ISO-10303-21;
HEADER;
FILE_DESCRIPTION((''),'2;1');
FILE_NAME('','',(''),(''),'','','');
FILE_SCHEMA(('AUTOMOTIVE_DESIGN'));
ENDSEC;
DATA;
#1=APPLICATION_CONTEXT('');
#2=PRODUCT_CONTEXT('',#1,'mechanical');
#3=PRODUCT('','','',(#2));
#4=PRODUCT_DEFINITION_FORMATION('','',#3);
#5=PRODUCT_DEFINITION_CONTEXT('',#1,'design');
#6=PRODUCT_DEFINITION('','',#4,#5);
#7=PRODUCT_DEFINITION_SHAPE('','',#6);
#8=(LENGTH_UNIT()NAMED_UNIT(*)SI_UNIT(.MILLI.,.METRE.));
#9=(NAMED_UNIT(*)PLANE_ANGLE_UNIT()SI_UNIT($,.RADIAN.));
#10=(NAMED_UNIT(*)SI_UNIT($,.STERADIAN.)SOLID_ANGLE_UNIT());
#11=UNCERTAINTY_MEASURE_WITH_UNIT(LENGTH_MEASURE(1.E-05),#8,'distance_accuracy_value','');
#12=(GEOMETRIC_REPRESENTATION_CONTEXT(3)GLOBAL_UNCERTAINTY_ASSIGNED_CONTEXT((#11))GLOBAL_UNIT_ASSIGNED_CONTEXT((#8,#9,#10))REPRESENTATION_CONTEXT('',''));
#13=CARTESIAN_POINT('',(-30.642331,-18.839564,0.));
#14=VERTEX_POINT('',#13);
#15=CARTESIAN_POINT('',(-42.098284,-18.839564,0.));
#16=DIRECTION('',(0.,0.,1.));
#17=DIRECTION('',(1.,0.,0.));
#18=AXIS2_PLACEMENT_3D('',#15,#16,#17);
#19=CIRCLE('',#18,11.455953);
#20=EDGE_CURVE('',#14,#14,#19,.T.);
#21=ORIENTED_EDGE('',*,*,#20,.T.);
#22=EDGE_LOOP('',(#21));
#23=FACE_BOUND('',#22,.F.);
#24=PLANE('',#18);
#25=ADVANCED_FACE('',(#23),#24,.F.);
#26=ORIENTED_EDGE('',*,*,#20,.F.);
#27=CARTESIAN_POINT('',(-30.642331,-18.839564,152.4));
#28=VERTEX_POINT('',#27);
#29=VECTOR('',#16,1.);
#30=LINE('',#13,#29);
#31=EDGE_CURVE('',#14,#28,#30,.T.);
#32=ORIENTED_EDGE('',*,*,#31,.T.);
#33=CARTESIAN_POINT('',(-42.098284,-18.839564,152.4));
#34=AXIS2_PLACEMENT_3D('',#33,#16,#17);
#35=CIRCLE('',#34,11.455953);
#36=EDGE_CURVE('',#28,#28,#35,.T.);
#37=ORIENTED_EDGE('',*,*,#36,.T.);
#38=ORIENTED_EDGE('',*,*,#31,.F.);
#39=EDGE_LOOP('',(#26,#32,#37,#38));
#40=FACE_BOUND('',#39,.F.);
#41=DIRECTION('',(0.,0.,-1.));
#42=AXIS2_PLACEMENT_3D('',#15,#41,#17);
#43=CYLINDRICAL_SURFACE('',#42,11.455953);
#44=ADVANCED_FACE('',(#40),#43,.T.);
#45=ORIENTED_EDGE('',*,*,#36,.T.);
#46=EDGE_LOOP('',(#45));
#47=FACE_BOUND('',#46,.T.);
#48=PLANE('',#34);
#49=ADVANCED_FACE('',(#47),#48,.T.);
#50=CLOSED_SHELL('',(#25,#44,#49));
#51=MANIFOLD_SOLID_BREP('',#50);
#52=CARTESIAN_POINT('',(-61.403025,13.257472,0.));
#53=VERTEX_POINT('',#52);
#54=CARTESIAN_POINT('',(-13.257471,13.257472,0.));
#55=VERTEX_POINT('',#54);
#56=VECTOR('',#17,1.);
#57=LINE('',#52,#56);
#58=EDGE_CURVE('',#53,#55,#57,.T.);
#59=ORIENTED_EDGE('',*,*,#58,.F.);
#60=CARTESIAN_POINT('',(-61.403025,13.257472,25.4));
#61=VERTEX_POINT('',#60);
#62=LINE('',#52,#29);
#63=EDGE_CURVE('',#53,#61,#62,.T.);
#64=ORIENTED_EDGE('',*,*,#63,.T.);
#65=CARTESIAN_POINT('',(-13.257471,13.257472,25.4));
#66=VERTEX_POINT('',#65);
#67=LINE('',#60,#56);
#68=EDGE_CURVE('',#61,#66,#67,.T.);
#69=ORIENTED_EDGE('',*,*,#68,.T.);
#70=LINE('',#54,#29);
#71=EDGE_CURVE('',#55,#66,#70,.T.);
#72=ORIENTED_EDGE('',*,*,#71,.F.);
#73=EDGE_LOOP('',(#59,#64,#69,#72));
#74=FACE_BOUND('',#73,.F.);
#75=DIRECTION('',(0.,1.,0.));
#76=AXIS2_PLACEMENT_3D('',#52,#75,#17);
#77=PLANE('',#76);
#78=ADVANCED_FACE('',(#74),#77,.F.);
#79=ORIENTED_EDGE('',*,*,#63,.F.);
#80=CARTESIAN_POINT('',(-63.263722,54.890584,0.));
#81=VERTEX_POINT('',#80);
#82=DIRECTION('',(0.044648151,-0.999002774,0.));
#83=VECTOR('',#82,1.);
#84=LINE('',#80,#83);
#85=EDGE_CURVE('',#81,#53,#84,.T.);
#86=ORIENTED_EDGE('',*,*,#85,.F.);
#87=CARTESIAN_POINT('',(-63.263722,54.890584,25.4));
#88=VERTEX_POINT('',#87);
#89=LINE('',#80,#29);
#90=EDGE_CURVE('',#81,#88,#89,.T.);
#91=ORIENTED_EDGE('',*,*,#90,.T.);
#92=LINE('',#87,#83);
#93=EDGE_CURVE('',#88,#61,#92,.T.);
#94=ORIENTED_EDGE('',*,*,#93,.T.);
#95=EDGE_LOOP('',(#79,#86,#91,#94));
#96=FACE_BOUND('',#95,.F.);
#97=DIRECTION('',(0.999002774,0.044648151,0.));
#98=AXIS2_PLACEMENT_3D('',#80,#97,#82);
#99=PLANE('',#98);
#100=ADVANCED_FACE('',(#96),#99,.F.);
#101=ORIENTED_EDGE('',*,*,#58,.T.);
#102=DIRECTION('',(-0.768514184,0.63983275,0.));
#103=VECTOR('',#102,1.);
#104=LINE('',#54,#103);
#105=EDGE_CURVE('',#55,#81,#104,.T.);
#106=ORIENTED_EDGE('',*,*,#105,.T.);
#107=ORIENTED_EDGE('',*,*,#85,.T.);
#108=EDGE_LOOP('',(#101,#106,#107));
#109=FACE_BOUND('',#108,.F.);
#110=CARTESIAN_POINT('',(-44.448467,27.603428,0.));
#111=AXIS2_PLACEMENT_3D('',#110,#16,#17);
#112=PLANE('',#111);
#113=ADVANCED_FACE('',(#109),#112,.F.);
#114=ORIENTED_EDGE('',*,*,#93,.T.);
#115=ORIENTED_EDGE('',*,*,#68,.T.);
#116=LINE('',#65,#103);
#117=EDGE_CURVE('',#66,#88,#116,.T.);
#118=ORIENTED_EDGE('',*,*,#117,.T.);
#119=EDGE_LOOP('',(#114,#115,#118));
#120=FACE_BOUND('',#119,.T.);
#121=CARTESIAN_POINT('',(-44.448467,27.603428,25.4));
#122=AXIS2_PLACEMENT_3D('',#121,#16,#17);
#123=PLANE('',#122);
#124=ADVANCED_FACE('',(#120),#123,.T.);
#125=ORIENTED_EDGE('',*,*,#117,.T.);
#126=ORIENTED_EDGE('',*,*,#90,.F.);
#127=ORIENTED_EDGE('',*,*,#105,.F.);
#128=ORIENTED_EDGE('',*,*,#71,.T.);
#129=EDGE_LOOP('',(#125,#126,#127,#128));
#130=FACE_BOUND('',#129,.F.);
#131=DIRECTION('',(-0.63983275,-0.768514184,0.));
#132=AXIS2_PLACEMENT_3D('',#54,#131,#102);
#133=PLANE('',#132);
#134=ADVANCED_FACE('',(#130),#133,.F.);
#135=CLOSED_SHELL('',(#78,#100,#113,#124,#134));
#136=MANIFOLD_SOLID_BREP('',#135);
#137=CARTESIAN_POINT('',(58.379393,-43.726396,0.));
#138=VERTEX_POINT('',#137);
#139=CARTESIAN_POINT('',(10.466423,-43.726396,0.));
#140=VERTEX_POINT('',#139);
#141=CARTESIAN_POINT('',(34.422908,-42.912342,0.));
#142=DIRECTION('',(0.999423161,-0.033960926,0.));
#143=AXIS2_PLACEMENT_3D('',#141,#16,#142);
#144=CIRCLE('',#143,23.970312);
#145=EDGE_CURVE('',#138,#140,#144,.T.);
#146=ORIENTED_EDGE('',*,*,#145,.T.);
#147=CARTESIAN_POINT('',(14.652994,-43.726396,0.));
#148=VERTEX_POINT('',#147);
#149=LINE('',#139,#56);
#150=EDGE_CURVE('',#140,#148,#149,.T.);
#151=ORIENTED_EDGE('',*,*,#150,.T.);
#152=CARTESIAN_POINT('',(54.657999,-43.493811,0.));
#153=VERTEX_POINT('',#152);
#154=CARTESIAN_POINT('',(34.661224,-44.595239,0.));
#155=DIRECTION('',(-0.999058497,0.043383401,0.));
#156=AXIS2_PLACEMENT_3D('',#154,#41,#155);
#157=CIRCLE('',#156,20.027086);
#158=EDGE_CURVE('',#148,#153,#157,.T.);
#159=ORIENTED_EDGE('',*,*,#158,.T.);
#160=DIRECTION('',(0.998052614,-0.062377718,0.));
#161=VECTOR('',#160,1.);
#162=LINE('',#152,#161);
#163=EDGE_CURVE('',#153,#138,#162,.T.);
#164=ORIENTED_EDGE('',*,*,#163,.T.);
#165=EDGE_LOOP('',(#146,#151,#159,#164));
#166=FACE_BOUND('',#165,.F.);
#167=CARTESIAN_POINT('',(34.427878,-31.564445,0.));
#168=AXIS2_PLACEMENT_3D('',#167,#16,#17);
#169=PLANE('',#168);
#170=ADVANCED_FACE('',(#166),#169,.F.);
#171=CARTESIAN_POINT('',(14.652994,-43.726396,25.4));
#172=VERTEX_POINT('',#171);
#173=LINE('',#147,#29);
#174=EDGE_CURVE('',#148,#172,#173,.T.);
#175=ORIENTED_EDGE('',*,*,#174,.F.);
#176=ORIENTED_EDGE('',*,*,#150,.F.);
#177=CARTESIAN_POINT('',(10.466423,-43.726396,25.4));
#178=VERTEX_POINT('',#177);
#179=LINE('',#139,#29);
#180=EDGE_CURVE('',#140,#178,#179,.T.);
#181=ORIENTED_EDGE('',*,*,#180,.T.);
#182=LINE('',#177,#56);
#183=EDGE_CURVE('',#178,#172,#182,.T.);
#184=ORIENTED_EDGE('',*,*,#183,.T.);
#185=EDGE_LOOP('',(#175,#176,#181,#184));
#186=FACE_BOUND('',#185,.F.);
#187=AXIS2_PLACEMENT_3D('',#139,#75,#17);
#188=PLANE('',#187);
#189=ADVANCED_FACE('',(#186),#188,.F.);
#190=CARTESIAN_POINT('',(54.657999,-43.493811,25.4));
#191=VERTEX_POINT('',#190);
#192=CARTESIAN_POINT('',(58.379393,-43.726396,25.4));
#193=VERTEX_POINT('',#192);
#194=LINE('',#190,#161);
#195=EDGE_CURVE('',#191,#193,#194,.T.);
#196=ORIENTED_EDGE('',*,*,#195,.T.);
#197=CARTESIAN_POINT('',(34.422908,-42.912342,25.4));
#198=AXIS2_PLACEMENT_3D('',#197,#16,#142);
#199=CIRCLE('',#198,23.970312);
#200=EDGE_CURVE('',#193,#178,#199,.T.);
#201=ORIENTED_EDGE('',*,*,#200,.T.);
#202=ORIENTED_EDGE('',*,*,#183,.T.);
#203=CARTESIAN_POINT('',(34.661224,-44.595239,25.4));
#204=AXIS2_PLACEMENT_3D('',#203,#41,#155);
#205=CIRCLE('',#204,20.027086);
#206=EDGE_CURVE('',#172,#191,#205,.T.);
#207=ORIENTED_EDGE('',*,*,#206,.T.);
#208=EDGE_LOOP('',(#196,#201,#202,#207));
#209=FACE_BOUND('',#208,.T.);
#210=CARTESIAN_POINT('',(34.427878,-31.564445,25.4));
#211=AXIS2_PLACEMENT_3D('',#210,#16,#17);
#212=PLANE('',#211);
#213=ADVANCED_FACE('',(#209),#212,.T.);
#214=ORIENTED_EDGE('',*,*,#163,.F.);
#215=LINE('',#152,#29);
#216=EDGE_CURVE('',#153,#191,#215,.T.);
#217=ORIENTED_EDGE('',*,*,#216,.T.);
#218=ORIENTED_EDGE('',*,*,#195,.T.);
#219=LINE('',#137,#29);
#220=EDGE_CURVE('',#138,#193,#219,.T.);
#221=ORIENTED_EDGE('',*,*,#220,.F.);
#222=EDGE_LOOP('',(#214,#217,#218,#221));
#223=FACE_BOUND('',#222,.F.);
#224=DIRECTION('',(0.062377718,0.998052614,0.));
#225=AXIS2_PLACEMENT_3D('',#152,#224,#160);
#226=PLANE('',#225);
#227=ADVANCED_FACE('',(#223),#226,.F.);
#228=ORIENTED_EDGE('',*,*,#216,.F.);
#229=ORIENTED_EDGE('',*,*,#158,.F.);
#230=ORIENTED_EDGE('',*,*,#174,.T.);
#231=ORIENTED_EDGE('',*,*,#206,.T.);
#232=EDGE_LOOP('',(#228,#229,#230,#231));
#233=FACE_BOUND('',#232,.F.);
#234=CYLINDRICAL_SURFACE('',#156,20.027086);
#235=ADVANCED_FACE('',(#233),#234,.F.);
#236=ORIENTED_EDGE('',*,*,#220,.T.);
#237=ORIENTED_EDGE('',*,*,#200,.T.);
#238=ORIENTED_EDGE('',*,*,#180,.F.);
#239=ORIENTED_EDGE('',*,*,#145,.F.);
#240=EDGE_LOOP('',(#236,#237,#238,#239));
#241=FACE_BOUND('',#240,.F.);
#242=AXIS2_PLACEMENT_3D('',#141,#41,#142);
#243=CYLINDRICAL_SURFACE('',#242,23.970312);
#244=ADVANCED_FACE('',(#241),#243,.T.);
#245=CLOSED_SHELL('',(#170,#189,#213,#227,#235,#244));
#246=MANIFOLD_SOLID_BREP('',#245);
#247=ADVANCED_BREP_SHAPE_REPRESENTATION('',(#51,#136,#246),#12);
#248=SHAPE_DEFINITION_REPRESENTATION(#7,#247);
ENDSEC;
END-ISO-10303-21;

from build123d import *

# Parameters (mm, degrees)
F1_DEPTH = 25.4
F2_R     = 11.455953
F3_DEPTH = 152.4
F5_DEPTH = 25.4
F6_R     = 6.85294
F7_DEPTH = 71.374


with BuildPart() as f1:
    # F0 (on Top) → F1 (new body)
    with BuildSketch(Plane.XY):
        Polygon((-13.257471, 13.257472), (-63.263722, 54.890584), (-61.403025, 13.257472), align=None)
    extrude(amount=F1_DEPTH)


with BuildPart() as f3:
    # F2 (on Top) → F3 (new body)
    with BuildSketch(Plane.XY):
        with Locations((-42.098284, -18.839564)):
            Circle(F2_R)
    extrude(amount=F3_DEPTH)

    # F6 (on face) → F7 (join)
    with BuildSketch(Plane.XY.offset(152.4)):
        with Locations((-42.098284, -18.839564)):
            Circle(F6_R)
    extrude(amount=-F7_DEPTH)


with BuildPart() as f5:
    # F4 (on Top) → F5 (new body)
    with BuildSketch(Plane.XY):
        with BuildLine():
            ThreePointArc((14.652994, -43.726396), (34.544791, -24.568492), (54.657999, -43.493811))
            Line((54.657999, -43.493811), (58.379393, -43.726396))
            ThreePointArc((58.379393, -43.726396), (34.422908, -18.94203), (10.466423, -43.726396))
            Line((10.466423, -43.726396), (14.652994, -43.726396))
        make_face()
    extrude(amount=F5_DEPTH)


solid = Compound([f1.part, f3.part, f5.part])
